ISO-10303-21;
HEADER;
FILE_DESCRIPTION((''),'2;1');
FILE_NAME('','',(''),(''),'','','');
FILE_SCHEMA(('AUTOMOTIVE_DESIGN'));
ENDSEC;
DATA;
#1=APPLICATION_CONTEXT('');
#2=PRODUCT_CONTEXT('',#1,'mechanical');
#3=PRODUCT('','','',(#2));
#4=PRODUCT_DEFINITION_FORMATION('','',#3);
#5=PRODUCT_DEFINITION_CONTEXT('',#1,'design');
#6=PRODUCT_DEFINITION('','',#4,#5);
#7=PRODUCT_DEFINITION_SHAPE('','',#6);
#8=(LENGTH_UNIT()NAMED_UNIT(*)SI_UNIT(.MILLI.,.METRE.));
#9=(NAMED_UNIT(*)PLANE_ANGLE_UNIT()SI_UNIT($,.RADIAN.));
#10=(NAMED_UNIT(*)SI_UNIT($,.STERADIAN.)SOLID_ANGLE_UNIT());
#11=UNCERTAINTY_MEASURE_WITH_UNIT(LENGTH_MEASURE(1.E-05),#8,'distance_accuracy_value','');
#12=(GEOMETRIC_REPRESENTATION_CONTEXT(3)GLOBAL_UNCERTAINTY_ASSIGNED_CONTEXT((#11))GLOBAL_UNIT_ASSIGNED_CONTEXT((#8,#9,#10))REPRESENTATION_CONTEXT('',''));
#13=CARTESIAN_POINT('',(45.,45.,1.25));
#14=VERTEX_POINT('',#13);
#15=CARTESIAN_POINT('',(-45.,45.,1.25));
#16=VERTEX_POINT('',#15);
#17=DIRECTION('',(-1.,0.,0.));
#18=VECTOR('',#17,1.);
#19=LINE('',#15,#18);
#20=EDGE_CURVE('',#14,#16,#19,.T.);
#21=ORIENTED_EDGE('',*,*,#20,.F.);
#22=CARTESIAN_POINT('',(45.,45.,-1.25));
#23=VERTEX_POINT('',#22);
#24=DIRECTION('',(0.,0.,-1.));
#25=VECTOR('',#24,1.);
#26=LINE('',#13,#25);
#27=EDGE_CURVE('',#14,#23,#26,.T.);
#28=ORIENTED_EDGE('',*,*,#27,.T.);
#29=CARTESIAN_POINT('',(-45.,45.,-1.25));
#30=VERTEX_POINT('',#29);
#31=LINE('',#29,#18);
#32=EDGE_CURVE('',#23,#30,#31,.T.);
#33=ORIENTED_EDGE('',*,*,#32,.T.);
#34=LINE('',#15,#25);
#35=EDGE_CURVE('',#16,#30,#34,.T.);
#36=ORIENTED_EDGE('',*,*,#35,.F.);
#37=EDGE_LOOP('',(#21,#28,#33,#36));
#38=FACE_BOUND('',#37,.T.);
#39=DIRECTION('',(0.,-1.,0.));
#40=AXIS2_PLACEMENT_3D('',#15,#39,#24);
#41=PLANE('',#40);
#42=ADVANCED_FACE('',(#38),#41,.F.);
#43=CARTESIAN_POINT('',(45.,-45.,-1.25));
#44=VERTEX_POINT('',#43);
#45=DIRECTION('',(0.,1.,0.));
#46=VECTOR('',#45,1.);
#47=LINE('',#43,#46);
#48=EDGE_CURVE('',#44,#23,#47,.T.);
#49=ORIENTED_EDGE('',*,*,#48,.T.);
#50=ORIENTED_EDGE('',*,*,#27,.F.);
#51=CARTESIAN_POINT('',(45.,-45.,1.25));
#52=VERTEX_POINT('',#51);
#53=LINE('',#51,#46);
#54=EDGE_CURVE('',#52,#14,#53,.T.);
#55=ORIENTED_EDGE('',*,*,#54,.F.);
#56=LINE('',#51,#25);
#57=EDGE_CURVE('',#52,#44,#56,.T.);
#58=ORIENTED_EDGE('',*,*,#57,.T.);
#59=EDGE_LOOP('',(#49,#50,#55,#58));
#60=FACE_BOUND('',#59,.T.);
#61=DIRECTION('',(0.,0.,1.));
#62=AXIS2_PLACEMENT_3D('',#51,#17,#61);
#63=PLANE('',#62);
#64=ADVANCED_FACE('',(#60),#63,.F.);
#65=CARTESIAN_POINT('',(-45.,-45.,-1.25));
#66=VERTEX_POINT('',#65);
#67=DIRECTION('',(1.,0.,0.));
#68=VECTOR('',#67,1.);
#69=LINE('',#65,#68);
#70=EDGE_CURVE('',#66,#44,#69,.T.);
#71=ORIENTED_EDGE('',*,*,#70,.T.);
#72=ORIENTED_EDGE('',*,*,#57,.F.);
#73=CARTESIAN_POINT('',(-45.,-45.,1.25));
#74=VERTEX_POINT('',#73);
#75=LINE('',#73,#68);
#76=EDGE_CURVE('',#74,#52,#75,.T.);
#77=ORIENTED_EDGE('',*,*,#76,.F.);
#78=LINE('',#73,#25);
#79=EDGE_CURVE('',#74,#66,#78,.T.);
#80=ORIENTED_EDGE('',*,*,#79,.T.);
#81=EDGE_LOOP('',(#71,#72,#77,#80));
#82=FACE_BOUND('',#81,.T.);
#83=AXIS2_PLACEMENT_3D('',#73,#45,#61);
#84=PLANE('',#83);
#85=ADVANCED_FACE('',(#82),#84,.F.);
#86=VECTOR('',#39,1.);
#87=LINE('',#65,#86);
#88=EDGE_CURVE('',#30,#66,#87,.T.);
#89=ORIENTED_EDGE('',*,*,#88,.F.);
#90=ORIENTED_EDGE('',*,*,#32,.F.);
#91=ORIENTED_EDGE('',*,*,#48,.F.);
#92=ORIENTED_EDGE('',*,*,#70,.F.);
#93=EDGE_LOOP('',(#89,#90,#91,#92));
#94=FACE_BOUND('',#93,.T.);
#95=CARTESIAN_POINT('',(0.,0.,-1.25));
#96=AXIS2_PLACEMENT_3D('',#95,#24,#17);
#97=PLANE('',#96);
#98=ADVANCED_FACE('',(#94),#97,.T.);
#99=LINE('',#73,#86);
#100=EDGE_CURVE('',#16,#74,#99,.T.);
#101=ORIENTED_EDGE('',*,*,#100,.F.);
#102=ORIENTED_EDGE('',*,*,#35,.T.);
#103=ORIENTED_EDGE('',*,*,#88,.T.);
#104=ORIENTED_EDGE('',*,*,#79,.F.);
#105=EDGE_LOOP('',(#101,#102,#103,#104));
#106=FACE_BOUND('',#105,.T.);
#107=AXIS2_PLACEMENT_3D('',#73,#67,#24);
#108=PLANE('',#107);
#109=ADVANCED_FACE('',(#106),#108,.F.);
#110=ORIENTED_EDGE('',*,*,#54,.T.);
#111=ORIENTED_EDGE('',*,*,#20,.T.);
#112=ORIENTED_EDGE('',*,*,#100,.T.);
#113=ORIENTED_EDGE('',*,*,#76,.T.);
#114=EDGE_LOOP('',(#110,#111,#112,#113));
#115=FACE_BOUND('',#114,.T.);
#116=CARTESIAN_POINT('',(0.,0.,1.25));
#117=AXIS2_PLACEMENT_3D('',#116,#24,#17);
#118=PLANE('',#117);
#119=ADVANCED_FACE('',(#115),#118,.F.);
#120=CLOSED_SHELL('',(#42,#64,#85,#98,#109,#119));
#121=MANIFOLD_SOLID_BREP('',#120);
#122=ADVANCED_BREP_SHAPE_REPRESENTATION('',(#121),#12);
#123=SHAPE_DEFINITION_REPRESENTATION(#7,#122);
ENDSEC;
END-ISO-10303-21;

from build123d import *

# Parameters (mm, degrees)
SKETCH1_W           = 90
SKETCH1_H           = 90
BOSS_EXTRUDE1_DEPTH = 1.25


with BuildPart() as part:
    # Sketch1 → Boss-Extrude1 (new, symmetric)
    with BuildSketch(Plane.XY):
        Rectangle(SKETCH1_W, SKETCH1_H)
    extrude(amount=BOSS_EXTRUDE1_DEPTH, both=True)


solid = part.part
